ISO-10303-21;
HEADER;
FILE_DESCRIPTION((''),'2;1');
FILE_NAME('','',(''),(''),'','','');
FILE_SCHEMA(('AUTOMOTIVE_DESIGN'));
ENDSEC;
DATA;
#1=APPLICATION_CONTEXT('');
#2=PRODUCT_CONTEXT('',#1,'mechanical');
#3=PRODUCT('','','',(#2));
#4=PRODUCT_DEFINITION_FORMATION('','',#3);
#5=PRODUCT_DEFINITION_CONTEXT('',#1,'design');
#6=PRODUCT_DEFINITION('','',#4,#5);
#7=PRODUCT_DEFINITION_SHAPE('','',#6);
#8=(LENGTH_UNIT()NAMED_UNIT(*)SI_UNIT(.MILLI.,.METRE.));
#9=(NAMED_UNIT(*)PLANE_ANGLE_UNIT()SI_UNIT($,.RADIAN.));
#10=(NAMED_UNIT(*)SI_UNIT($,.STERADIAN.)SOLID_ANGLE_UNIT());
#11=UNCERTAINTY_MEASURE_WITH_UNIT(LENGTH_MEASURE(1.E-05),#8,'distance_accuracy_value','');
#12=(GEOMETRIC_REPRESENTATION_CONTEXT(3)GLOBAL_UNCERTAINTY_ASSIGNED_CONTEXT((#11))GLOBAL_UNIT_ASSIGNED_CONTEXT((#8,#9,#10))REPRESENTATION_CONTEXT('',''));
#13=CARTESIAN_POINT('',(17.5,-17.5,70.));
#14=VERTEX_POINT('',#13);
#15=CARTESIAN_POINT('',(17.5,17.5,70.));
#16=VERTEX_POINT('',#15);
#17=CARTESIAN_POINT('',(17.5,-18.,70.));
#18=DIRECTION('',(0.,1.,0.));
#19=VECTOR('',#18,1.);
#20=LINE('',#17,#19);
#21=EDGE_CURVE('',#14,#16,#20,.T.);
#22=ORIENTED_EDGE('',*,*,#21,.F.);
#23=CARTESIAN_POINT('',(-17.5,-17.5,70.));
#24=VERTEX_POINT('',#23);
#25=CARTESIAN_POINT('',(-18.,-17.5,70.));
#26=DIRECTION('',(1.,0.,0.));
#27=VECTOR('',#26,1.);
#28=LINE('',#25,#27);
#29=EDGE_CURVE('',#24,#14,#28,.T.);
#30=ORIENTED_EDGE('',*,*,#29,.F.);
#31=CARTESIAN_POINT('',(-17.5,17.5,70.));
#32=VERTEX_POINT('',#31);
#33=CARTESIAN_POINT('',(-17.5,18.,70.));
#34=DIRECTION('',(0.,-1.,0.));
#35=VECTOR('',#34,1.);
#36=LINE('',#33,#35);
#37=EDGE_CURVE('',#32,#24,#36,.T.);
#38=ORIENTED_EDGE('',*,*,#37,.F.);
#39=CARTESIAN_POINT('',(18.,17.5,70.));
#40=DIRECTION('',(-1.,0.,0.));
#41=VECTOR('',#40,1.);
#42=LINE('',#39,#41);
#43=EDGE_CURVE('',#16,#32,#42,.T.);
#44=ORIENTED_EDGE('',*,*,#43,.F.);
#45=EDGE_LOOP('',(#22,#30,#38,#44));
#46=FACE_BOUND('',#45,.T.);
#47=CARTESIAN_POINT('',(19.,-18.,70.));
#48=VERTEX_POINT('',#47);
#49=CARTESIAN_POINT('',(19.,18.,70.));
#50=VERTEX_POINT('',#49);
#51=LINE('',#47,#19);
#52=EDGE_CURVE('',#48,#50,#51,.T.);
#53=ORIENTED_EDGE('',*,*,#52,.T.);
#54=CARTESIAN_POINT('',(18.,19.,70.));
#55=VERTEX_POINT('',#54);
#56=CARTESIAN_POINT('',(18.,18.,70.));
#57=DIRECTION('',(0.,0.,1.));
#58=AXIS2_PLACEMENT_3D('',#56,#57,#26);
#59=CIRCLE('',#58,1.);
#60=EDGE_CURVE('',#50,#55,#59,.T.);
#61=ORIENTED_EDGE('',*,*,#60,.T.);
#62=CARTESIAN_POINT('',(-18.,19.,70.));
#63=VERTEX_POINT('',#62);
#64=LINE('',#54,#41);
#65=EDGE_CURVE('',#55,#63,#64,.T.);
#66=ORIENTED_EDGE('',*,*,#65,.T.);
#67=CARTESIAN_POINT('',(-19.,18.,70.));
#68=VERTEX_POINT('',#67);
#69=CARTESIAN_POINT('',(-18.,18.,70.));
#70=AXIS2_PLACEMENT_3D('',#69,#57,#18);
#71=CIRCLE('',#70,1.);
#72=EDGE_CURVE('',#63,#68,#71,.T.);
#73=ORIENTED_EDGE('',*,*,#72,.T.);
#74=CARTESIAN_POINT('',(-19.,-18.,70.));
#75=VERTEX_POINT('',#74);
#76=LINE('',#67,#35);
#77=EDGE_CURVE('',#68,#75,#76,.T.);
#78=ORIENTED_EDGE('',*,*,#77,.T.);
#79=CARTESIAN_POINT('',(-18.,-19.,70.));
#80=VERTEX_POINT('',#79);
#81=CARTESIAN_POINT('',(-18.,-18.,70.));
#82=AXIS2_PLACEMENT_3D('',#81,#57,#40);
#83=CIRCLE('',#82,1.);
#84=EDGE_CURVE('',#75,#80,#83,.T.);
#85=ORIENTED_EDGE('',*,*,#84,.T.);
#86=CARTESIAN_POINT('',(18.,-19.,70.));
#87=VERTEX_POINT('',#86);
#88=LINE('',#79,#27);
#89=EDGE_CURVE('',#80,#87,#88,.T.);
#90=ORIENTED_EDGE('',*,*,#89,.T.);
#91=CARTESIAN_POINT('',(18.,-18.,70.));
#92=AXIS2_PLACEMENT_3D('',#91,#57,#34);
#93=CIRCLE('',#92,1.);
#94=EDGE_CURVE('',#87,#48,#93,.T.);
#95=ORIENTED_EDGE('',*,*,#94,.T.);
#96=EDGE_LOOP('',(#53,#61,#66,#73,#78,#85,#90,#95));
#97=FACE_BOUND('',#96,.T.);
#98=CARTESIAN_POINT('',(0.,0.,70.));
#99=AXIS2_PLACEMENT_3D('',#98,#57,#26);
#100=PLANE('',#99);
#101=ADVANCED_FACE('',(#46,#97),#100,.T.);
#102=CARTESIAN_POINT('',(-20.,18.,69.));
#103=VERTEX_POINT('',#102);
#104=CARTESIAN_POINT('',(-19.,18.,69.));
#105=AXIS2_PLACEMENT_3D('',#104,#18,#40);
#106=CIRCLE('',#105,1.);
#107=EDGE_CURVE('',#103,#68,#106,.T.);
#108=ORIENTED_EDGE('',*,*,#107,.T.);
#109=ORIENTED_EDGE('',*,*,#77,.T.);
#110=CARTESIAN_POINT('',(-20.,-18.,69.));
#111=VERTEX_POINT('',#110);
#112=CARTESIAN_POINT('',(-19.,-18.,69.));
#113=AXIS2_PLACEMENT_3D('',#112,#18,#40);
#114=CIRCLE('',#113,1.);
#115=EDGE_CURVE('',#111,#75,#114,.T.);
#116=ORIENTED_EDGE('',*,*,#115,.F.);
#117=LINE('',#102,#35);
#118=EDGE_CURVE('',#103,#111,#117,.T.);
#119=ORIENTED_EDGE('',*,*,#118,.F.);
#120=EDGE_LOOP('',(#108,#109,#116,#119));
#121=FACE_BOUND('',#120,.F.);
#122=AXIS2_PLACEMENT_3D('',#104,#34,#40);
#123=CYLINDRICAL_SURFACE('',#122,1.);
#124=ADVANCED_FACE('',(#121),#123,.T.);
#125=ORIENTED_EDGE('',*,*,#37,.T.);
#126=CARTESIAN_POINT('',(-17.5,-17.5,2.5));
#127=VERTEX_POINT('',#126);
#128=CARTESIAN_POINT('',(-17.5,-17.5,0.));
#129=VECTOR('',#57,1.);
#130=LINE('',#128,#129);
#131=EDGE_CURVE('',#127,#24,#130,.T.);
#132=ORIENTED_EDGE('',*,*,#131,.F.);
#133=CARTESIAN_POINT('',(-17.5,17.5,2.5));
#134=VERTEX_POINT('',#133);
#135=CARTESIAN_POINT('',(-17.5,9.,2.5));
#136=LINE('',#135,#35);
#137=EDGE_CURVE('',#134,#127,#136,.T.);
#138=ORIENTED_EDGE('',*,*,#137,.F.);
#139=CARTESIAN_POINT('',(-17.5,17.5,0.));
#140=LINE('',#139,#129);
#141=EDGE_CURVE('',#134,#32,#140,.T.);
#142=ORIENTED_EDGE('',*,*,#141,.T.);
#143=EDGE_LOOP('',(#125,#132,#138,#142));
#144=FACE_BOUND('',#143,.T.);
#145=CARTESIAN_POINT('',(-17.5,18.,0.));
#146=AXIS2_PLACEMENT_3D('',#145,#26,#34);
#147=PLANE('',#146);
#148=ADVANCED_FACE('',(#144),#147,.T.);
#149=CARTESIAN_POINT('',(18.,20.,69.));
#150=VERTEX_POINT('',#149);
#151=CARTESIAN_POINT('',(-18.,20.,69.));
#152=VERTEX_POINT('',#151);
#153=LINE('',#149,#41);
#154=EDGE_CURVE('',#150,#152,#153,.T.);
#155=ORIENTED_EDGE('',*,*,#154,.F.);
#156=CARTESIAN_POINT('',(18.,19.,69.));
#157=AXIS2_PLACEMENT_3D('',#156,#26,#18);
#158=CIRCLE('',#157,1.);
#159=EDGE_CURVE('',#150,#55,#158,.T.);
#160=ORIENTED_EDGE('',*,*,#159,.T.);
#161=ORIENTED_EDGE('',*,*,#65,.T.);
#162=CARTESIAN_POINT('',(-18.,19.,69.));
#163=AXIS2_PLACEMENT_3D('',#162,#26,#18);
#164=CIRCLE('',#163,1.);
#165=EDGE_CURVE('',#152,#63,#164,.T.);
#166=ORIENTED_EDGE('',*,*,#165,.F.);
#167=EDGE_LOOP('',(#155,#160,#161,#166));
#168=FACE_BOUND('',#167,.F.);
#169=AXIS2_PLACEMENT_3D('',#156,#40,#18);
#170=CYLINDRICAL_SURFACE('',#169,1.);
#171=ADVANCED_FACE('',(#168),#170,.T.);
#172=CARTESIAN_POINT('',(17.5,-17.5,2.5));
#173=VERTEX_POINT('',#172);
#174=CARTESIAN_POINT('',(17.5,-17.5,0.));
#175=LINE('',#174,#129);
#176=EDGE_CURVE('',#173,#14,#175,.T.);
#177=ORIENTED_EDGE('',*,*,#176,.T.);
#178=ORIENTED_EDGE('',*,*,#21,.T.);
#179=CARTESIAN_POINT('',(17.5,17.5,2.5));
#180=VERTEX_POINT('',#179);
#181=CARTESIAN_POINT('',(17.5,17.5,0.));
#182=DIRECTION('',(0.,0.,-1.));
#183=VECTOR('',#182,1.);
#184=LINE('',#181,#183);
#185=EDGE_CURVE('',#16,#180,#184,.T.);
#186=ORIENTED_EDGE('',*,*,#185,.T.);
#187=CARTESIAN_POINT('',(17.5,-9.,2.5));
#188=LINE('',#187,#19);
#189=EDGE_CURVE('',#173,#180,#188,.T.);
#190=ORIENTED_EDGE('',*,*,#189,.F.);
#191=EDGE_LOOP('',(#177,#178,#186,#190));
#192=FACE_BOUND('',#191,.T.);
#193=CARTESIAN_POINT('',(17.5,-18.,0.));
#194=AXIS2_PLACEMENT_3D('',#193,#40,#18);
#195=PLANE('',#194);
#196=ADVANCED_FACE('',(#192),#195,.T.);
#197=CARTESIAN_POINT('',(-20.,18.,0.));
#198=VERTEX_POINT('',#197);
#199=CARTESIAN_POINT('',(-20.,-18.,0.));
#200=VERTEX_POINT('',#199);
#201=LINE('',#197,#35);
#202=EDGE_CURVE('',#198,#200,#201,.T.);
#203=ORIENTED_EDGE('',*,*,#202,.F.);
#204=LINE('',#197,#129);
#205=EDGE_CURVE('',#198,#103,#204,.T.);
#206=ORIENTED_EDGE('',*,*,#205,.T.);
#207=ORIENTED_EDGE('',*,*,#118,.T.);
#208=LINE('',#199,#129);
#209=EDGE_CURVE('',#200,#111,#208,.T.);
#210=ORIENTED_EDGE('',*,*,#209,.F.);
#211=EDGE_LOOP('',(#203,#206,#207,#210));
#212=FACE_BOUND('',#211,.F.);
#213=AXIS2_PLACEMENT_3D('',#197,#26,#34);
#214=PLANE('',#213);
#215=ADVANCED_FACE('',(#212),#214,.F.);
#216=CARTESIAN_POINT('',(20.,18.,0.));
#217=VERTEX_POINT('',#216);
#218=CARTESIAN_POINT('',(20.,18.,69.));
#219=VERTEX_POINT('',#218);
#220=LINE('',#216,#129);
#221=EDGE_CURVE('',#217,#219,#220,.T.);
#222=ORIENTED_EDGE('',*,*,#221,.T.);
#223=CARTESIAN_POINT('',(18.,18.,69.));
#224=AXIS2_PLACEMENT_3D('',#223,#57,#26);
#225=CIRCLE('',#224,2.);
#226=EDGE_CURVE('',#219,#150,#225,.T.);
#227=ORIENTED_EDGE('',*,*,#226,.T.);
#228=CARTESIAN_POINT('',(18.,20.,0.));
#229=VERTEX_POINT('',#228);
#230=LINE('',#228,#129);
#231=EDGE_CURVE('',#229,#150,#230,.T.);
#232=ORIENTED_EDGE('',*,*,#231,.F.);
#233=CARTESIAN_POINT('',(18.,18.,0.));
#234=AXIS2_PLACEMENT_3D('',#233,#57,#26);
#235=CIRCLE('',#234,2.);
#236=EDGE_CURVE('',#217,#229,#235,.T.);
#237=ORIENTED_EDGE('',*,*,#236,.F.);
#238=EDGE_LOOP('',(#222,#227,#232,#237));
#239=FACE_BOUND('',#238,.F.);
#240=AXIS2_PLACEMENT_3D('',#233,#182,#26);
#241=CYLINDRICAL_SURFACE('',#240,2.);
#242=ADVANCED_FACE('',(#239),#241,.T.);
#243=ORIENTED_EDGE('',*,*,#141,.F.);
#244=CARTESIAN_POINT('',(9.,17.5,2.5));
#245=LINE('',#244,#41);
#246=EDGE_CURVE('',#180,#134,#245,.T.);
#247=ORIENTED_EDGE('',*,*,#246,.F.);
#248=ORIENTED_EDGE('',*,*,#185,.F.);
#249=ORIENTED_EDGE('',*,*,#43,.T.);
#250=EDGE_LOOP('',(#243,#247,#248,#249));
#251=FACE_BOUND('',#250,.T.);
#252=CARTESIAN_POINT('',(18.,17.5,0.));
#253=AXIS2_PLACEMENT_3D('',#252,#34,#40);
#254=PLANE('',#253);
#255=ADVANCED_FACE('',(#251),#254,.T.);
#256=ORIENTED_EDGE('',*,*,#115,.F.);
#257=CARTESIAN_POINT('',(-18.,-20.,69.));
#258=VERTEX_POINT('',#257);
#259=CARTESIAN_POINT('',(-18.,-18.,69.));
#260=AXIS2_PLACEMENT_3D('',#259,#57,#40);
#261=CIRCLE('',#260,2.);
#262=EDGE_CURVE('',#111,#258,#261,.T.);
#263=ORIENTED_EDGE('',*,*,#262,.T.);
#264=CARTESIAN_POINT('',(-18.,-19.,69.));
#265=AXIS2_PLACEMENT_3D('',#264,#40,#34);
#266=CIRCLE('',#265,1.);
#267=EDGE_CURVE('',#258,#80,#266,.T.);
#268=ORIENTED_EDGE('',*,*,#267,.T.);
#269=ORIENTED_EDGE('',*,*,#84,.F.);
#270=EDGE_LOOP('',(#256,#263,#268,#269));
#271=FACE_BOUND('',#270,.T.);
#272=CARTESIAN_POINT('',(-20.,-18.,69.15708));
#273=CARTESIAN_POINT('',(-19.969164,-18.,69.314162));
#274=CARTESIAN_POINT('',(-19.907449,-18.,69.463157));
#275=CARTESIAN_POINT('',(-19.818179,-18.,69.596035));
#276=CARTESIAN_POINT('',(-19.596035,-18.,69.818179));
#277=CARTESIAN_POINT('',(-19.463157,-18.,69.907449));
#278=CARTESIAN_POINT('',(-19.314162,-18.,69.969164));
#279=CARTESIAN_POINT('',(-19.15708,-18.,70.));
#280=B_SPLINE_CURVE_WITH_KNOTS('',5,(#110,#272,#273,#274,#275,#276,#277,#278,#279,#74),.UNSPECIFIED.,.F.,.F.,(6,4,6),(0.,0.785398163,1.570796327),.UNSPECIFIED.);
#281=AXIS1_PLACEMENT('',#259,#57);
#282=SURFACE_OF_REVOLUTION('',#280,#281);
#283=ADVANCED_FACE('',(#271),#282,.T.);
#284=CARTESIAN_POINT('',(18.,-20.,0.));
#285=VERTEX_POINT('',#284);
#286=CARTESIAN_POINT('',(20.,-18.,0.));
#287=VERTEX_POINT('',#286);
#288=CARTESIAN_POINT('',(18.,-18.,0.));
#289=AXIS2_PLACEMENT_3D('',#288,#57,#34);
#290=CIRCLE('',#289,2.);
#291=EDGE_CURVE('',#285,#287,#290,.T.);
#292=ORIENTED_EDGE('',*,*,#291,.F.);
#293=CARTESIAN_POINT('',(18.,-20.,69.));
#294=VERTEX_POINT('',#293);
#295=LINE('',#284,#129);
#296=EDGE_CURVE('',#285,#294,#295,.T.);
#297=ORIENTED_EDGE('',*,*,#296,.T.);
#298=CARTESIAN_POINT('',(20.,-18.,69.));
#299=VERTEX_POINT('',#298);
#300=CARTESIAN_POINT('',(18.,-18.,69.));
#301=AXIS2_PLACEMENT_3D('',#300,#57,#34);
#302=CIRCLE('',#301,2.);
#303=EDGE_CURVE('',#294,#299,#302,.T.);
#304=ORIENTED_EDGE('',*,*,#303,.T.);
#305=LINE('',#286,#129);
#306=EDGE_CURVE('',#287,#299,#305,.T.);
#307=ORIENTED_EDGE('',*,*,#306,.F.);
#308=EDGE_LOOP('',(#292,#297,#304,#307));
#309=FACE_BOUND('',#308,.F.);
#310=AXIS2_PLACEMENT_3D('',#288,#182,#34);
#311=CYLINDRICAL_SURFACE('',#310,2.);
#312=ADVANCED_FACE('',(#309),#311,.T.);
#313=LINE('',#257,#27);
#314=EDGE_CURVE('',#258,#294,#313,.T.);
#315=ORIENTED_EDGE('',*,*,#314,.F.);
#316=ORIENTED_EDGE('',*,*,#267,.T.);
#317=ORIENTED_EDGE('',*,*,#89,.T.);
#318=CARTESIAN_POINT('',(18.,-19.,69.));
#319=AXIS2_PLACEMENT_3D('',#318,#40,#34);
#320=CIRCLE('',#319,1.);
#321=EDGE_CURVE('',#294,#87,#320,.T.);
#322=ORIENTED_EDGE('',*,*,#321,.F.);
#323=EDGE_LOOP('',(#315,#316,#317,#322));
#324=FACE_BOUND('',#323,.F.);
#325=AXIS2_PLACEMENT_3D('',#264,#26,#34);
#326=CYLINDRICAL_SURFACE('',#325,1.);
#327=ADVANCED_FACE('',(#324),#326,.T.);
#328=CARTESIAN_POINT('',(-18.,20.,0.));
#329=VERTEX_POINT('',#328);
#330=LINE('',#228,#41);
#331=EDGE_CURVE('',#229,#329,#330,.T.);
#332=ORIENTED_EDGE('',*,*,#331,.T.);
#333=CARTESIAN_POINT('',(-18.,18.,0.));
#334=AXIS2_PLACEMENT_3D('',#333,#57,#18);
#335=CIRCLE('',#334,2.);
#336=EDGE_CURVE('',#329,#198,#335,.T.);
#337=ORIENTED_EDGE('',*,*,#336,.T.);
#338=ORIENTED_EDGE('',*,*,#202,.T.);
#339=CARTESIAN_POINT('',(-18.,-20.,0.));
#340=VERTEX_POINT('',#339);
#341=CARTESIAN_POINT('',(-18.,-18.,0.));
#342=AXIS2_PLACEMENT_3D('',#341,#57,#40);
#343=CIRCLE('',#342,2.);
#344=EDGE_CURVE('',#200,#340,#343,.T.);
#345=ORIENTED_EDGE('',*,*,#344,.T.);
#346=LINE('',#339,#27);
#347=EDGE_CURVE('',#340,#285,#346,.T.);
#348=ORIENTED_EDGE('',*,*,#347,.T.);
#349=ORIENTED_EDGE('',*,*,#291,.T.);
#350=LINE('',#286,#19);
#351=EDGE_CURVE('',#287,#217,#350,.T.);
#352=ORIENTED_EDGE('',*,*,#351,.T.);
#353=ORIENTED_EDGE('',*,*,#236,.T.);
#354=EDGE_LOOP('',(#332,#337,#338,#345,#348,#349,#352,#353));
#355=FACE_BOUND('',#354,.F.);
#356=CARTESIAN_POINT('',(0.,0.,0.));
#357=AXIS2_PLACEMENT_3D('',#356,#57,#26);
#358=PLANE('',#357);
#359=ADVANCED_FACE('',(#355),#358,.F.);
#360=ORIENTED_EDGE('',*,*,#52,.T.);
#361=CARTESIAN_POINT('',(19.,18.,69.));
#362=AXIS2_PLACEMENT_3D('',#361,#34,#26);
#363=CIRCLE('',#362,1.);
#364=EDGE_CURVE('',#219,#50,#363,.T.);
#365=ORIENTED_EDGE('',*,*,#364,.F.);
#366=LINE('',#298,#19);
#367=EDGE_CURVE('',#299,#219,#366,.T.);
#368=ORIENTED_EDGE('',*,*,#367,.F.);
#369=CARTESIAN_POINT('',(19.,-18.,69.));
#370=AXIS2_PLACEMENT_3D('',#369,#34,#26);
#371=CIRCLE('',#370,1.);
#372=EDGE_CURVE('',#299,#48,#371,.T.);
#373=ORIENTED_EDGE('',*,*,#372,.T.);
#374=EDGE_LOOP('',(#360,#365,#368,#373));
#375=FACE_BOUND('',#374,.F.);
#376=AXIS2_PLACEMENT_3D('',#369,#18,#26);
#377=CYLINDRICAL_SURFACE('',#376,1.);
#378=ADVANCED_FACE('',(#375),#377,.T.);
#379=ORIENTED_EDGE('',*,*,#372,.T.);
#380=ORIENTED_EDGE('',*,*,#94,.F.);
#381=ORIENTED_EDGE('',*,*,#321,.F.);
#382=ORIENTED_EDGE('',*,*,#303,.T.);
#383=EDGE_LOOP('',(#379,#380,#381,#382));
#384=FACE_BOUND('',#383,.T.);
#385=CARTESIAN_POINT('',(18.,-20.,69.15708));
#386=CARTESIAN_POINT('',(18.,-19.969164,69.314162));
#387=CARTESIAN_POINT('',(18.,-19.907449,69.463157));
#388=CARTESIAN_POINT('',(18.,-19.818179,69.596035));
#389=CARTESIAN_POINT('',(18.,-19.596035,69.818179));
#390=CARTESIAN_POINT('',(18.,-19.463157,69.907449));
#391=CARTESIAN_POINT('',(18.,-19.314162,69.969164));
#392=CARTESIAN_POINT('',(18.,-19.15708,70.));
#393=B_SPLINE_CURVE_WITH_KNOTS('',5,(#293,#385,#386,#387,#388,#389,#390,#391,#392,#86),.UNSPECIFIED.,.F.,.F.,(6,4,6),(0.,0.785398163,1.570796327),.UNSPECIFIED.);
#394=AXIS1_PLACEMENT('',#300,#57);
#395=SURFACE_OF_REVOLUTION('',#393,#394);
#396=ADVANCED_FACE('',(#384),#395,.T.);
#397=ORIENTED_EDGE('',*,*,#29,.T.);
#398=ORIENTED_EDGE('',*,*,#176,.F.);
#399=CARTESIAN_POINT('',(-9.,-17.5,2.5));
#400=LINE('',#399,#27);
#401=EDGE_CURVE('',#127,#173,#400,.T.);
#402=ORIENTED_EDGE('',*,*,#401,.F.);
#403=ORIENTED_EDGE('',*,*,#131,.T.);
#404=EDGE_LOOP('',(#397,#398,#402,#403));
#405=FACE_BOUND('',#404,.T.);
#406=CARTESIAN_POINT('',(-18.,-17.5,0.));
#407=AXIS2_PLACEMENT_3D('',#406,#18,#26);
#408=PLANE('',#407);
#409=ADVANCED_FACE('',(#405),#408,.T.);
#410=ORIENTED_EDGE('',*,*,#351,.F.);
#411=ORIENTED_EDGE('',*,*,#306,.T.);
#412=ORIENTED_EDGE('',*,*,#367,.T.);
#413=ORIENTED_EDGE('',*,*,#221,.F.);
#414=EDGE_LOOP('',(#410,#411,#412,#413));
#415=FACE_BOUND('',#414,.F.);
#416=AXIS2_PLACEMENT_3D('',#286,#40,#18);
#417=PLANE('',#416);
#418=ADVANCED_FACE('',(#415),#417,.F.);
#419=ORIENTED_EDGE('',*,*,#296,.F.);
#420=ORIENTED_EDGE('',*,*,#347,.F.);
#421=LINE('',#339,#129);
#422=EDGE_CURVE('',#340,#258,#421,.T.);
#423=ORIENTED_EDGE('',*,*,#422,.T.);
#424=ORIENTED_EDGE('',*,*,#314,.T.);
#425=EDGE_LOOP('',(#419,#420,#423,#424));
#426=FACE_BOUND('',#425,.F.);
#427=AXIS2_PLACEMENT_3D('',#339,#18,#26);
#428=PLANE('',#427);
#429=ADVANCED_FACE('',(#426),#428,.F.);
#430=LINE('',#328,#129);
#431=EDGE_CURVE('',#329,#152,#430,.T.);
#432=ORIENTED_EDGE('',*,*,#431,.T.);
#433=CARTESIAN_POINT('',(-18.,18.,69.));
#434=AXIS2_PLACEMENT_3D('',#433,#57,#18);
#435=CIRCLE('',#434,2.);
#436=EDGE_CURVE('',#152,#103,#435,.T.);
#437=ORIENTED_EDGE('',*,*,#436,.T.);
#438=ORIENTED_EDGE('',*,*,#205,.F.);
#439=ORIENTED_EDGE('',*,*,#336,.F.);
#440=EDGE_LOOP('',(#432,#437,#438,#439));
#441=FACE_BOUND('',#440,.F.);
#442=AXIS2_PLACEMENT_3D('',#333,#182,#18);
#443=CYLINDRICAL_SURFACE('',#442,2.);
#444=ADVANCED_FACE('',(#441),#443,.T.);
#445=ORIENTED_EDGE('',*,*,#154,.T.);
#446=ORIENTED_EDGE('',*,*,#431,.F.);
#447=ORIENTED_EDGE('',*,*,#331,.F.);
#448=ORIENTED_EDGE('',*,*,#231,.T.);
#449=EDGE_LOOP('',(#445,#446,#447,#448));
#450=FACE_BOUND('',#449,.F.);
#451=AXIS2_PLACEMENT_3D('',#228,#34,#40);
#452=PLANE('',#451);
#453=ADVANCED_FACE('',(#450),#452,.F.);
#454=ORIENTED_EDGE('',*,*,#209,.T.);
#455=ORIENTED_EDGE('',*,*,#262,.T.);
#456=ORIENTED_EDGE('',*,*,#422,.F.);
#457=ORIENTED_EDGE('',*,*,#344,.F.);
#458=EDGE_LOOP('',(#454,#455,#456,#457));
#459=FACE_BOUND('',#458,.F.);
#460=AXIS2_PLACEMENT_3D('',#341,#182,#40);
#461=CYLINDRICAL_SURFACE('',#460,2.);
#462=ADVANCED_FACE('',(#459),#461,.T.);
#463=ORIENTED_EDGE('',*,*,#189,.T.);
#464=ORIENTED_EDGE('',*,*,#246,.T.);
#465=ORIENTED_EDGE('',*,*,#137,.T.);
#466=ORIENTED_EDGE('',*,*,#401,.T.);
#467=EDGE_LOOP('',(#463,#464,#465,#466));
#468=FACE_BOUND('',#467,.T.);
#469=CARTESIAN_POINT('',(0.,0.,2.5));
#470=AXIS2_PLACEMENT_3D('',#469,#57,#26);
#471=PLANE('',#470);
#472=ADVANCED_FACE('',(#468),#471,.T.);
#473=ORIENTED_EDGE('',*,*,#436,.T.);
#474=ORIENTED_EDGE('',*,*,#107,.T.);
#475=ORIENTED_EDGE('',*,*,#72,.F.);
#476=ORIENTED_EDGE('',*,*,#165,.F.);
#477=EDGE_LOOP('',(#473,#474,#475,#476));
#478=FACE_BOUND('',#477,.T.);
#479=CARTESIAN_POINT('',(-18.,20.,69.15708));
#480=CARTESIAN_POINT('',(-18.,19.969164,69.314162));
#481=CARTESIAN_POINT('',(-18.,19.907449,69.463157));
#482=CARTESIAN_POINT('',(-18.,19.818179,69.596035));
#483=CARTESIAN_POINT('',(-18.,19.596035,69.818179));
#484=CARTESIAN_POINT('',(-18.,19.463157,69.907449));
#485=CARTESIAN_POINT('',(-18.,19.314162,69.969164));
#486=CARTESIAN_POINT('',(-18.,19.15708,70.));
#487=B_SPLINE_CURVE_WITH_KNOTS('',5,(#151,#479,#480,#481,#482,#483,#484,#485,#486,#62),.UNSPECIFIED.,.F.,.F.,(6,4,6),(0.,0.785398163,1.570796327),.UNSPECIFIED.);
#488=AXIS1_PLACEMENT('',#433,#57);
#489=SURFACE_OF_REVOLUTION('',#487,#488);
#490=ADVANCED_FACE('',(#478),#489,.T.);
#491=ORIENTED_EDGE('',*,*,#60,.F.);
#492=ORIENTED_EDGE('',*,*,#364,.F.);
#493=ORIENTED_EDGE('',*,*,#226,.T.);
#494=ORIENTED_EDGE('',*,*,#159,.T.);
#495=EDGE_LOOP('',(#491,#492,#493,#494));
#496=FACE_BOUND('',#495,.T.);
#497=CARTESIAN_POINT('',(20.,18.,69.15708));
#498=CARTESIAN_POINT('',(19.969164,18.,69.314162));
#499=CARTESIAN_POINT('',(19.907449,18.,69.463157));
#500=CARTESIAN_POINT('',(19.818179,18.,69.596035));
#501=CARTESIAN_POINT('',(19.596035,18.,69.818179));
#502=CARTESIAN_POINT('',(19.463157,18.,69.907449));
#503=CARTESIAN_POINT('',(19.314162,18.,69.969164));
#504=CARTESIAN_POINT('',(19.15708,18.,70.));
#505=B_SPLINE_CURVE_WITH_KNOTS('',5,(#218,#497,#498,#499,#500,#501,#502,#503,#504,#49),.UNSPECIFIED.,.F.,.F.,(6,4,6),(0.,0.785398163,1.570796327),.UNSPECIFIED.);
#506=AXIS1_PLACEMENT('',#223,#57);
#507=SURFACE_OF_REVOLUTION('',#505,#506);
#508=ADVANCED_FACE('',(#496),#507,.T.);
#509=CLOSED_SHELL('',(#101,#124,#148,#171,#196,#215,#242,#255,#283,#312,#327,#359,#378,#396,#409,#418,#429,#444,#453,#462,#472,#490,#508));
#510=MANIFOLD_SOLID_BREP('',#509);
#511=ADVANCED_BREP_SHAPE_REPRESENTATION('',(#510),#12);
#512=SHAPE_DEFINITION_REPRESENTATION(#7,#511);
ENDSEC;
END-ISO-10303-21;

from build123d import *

# Parameters (mm, degrees)
F1_DEPTH = 70
F2_T     = -2.5
F3_R     = 1


with BuildPart() as f1:
    # F0 (on Top) → F1 (new body)
    with BuildSketch(Plane.XY):
        with BuildLine():
            ThreePointArc((20, 18), (19.4142135624, 19.4142135624), (18, 20))
            Line((18, 20), (-18, 20))
            ThreePointArc((-18, 20), (-19.4142135624, 19.4142135624), (-20, 18))
            Line((-20, 18), (-20, -18))
            ThreePointArc((-20, -18), (-19.4142135624, -19.4142135624), (-18, -20))
            Line((-18, -20), (18, -20))
            ThreePointArc((18, -20), (19.4142135624, -19.4142135624), (20, -18))
            Line((20, -18), (20, 18))
        make_face()
    extrude(amount=F1_DEPTH)

    # F2
    f2_openings = [f1.faces().sort_by_distance(p)[0] for p in [
        (0, 0, 70),
    ]]
    offset(amount=F2_T, openings=f2_openings)

    # F3
    f3_edges = [f1.edges().sort_by_distance(p)[0] for p in [
        (0, -20, 70),
    ]]
    fillet(f3_edges, radius=F3_R)


solid = f1.part
